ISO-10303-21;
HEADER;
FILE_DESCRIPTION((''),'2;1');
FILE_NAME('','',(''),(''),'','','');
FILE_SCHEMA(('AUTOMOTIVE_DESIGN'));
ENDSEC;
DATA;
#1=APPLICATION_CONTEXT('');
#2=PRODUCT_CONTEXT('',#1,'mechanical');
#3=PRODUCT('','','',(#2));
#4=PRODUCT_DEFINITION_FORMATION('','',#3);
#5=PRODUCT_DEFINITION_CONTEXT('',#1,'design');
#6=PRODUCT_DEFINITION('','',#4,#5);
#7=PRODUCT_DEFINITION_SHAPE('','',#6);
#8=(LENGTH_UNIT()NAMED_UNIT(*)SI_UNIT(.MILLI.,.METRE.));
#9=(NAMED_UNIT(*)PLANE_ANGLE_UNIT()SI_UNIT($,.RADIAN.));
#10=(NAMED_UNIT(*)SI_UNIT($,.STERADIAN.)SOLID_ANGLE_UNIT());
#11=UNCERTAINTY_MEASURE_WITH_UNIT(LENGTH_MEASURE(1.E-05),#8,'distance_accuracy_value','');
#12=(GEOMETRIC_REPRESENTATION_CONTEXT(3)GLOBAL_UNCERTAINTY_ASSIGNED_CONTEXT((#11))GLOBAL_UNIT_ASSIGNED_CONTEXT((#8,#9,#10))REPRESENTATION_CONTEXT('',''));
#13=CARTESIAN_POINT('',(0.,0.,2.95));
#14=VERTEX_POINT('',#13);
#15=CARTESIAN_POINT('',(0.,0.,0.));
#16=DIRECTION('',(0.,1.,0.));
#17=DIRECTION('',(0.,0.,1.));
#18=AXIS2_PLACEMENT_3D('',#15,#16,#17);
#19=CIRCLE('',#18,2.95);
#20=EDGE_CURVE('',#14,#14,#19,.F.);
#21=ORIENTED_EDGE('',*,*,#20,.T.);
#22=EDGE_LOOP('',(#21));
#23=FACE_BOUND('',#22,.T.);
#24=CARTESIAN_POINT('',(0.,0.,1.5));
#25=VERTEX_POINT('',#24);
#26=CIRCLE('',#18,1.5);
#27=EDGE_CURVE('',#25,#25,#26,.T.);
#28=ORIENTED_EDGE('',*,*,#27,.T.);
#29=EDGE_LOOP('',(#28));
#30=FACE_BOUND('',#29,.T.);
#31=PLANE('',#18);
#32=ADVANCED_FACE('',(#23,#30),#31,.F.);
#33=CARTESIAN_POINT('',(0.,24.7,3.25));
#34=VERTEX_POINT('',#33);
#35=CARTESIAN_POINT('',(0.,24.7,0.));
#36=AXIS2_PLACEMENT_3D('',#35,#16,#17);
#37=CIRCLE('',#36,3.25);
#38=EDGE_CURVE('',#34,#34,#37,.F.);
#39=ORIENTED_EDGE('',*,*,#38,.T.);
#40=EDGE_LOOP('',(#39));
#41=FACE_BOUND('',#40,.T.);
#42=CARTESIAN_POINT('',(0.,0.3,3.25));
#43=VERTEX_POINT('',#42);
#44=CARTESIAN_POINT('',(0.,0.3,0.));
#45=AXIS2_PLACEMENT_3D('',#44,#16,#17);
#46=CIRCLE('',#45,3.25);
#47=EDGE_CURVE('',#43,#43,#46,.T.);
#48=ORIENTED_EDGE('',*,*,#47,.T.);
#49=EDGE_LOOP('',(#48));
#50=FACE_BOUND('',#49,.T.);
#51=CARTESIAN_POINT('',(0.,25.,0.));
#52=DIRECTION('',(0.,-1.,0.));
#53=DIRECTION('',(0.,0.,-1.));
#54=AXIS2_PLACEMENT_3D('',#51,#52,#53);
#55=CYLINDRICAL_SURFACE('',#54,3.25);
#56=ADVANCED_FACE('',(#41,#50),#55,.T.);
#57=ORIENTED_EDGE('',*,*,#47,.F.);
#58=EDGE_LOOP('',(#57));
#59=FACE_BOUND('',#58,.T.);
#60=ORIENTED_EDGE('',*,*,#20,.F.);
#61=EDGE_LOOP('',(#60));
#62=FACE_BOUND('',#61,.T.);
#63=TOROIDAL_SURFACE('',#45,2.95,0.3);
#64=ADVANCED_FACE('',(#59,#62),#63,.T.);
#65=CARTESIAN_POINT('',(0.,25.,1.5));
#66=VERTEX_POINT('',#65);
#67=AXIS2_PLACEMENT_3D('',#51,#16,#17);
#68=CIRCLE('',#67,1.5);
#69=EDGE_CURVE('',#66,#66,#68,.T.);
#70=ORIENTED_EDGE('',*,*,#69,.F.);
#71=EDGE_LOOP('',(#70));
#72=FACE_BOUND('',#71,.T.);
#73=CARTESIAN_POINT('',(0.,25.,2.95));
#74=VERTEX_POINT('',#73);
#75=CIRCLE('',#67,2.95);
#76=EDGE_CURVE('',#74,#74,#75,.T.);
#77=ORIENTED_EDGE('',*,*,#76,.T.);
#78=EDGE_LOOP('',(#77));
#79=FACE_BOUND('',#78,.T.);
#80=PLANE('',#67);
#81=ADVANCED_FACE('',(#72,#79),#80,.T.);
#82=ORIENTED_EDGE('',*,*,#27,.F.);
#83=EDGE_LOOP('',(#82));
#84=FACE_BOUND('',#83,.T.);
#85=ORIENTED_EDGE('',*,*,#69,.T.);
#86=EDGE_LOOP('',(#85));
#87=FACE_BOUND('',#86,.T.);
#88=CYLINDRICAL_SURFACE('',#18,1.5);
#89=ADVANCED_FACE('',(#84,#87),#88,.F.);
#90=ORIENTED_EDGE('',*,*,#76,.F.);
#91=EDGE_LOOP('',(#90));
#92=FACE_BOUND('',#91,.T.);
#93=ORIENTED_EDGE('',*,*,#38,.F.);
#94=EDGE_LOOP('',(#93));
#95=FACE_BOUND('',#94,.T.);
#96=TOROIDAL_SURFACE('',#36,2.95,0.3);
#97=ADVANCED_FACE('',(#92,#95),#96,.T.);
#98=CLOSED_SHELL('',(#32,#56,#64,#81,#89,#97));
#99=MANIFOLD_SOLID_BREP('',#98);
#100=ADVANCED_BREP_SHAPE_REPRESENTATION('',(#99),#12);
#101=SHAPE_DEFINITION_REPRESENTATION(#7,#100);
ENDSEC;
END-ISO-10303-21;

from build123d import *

# Parameters (mm, degrees)
ESBO_O1_R                = 3.25
RESSALTO_EXTRUS_O1_DEPTH = 25
ESBO_O2_R                = 1.5
CORTE_EXTRUS_O1_DEPTH    = 26
FILETE1_R                = 0.3


with BuildPart() as part:
    # Esboço1 → Ressalto-extrusão1 (new body)
    with BuildSketch(Plane(origin=(0, 0, 0), x_dir=(1, 0, 0), z_dir=(0, 1, 0))):
        Circle(ESBO_O1_R)
    extrude(amount=RESSALTO_EXTRUS_O1_DEPTH)

    # Esboço2 → Corte-extrusão1 (cut, through all)
    with BuildSketch(Plane(origin=(0, 25, 0), x_dir=(1, 0, 0), z_dir=(0, 1, 0))):
        Circle(ESBO_O2_R)
    extrude(amount=-CORTE_EXTRUS_O1_DEPTH, mode=Mode.SUBTRACT)

    # Filete1
    filete1_edges = [part.edges().sort_by_distance(p)[0] for p in [
        (-3.25, 0, 0),
        (-3.25, 25, 0),
    ]]
    fillet(filete1_edges, radius=FILETE1_R)


solid = part.part
